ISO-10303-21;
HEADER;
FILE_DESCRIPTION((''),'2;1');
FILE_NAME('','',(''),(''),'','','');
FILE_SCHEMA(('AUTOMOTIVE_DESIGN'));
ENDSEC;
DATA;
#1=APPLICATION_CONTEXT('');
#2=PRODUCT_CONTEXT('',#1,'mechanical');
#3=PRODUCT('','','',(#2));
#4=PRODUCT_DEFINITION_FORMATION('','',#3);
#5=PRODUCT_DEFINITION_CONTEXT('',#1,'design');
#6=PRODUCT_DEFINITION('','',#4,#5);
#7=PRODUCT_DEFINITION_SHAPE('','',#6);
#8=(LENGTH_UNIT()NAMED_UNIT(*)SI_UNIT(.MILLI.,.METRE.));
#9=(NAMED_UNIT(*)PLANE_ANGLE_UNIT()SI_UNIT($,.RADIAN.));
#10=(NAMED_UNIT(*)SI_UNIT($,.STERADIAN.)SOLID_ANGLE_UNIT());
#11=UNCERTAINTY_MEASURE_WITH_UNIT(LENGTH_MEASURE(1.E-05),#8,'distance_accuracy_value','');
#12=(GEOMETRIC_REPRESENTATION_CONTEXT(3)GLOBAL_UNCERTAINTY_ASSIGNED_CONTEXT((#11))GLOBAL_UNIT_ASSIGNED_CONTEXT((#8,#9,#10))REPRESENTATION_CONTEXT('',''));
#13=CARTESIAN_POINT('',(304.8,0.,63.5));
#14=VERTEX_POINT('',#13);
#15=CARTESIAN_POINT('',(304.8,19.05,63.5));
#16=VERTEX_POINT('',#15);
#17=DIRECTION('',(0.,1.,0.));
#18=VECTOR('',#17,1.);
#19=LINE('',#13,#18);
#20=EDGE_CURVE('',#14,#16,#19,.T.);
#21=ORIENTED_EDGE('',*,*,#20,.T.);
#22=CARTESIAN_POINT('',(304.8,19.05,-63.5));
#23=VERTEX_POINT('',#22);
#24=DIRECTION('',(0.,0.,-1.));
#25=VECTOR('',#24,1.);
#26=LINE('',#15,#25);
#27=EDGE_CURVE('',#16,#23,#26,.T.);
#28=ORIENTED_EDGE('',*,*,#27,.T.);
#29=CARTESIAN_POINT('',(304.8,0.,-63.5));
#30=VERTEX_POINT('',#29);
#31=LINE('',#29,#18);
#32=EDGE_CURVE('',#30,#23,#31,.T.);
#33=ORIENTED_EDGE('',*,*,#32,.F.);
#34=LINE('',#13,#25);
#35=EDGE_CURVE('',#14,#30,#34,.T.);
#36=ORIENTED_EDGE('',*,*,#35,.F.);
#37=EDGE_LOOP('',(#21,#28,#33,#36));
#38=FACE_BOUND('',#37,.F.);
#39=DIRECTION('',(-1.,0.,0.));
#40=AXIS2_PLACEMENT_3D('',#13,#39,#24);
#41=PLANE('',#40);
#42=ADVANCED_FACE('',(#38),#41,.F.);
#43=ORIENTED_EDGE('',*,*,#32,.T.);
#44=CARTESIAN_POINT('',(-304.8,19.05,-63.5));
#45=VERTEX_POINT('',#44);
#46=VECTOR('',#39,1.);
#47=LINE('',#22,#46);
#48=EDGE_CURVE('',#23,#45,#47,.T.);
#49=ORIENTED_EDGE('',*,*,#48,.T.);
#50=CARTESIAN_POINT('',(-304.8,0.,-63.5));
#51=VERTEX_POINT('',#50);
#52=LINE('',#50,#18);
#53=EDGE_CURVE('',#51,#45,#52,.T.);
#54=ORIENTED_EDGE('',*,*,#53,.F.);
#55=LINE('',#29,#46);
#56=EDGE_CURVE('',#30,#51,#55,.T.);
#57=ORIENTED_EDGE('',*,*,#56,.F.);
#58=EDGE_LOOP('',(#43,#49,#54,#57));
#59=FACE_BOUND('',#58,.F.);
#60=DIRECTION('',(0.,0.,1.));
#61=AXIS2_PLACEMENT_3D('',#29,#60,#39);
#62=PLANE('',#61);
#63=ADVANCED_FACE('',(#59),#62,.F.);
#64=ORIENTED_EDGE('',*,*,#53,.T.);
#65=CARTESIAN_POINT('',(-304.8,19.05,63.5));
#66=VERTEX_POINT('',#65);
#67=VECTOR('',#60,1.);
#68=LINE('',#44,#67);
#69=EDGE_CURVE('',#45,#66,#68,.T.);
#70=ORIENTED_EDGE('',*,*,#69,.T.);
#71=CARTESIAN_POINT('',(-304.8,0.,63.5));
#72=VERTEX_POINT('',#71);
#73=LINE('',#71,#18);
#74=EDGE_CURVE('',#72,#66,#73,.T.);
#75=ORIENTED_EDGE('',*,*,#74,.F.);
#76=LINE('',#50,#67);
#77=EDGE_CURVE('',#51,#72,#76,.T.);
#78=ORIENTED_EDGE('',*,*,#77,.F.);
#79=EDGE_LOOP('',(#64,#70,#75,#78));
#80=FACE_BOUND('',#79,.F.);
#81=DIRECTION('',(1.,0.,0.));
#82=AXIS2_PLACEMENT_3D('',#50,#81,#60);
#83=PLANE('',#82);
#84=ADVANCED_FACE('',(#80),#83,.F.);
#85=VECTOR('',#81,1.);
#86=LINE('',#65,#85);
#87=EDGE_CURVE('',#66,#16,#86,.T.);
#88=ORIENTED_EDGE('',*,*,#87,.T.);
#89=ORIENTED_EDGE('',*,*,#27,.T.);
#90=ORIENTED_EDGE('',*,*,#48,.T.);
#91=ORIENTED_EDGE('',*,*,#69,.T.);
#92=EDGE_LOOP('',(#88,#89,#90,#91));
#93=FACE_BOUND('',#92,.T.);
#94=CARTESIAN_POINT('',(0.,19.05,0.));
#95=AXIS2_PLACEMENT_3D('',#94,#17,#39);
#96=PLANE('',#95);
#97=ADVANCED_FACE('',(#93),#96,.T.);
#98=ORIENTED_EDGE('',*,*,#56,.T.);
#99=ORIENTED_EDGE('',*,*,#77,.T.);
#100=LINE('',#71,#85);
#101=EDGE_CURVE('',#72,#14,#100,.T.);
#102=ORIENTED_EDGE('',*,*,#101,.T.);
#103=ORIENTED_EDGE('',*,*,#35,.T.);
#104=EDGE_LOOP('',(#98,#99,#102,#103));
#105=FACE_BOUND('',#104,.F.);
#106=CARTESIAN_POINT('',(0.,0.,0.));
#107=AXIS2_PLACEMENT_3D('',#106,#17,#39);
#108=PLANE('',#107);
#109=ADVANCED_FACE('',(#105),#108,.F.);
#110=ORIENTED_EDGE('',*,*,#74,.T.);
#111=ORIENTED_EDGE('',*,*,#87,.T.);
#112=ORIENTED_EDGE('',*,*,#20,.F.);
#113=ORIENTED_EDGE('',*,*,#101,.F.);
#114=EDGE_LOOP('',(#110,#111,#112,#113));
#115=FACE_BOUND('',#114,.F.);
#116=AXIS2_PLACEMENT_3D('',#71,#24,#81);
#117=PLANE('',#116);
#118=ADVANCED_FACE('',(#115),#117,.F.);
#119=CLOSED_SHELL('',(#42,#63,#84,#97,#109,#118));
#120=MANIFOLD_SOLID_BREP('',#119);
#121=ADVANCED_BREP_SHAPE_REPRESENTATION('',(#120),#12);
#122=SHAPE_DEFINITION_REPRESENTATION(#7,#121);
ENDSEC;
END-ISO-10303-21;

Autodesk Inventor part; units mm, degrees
ref_plane "YZ Plane" through (0, 0, 0) normal (1, 0, 0) x (0, 1, 0)
ref_plane "XZ Plane" through (0, 0, 0) normal (0, 1, 0) x (-1, 0, 0)
ref_plane "XY Plane" through (0, 0, 0) normal (0, 0, 1) x (1, 0, 0)
sketch "Sketch1" plane through (0, 0, 0) normal (0, 1, 0) x (-1, 0, 0)
  line L0 (304.8, 63.5) -> (-304.8, 63.5)
  line L1 (-304.8, 63.5) -> (-304.8, -63.5)
  line L2 (-304.8, -63.5) -> (304.8, -63.5)
  line L3 (304.8, -63.5) -> (304.8, 63.5)
  line L4 (304.8, 63.5) -> (-304.8, -63.5) construction
  line L5 (-304.8, 63.5) -> (304.8, -63.5) construction
  point P0 (0, 0)
  dimension "d0" = 127
  dimension "d1" = 609.6
extrude "Extrusion1" add sketch "Sketch1" along normal blind 19.05
equation "\"d0\" = rearBoxLegth"
equation "\"d1\" = rearBoxWidth"
equation "\"d2\" = rearBoxThickness"
equation "\"rearBoxWidth\" = 609.6"
equation "\"rearBoxLegth\" = 127"
equation "\"rearBoxThickness\" = 19.05"
properties part number "rearBox" material "Wood (Walnut)"
